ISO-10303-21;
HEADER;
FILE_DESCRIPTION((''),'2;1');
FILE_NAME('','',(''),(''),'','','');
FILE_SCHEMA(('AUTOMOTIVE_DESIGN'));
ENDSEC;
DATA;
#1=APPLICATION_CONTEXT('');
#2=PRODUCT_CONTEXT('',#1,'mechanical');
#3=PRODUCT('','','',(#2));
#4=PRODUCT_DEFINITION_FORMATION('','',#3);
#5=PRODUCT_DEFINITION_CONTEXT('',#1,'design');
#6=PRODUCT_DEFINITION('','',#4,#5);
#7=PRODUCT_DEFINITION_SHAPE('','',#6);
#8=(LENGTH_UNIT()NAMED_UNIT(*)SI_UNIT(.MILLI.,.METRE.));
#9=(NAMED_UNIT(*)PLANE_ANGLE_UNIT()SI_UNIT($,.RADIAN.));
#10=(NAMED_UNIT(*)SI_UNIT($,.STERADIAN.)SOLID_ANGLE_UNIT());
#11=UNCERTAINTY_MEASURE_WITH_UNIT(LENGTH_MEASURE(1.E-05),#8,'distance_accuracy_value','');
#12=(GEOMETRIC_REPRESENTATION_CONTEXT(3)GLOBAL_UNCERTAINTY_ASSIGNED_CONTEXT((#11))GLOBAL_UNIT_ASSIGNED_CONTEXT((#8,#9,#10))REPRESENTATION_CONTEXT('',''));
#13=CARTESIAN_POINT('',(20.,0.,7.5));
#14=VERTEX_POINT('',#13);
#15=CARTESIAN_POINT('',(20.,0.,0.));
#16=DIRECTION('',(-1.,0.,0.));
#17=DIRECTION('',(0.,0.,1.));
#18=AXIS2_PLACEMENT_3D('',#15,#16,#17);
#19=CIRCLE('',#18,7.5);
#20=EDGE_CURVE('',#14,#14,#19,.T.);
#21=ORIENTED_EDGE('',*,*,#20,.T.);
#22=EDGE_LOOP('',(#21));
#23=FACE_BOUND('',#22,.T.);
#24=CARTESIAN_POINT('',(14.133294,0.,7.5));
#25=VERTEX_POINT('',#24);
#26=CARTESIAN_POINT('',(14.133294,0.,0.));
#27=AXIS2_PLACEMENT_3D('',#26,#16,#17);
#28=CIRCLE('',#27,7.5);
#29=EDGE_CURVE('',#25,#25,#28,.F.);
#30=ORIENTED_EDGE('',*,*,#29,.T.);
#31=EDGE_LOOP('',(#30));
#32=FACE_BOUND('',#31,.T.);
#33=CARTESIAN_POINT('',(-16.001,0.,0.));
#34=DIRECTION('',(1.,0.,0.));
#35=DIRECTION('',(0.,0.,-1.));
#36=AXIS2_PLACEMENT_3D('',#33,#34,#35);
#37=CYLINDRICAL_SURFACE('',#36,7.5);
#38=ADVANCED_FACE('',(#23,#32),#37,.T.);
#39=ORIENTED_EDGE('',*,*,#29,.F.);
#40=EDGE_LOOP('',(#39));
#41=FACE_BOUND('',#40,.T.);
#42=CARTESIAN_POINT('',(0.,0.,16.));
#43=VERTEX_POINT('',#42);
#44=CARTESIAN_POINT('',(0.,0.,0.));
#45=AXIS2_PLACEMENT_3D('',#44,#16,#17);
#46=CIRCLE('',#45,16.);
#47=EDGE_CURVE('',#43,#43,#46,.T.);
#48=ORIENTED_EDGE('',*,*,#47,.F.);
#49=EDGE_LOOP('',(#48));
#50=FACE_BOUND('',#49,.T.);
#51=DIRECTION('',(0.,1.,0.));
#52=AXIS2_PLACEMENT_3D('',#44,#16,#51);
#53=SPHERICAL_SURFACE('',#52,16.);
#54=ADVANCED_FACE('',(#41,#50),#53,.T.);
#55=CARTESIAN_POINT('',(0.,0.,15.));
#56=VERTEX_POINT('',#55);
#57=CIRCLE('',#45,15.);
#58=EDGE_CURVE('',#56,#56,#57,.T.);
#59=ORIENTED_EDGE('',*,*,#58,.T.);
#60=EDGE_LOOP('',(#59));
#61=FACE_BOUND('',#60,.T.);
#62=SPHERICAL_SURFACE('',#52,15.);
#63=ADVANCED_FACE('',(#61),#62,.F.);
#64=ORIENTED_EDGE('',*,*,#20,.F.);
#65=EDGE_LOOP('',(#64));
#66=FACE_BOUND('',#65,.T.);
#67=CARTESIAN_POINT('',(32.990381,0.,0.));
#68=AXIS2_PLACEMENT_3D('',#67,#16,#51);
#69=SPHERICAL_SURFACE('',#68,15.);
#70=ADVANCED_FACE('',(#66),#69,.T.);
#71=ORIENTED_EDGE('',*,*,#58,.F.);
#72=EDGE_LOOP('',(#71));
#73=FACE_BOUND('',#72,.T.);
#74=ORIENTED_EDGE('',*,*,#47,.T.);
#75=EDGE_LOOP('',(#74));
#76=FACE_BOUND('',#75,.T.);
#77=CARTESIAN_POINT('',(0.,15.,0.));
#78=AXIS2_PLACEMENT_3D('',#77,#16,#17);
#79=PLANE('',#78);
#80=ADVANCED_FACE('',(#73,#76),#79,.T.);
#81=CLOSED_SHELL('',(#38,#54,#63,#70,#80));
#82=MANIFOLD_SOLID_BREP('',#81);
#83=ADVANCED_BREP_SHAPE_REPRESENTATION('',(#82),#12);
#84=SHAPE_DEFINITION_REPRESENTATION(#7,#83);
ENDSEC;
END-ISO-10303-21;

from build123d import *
from build123d.topology import SkipClean

# Parameters (mm, degrees)
SALIENTE_EXTRUIR1_REACH      = 49.713
SALIENTE_EXTRUIR1_END_RADIUS = 16
SALIENTE_EXTRUIR1_START      = -20
CROQUIS2_R                   = 7.5


with BuildPart() as part:
    # Croquis1 → Revolución-Lámina1 (revolve)
    with BuildSketch(Plane.XY):
        with BuildLine():
            ThreePointArc((15, 0), (10.606601718, 10.606601718), (0, 15))
            Line((0, 15), (0, 16))
            ThreePointArc((0, 16), (11.313708499, 11.313708499), (16, 0))
            Line((16, 0), (15, 0))
        make_face()
    revolve(axis=Axis((0, 0, 0), (1, 0, 0)))

    # Saliente-Extruir1: up to this sphere (the profile starts outside it)
    with SkipClean():  # the faces are left unmerged after this step: merging them gives an invalid solid
        saliente_extruir1_end = Location((0, 0, 0)) * Sphere(SALIENTE_EXTRUIR1_END_RADIUS, mode=Mode.PRIVATE)
        # Croquis2 → Saliente-Extruir1 (add, up to the surface)
        with BuildSketch(Plane.ZY.offset(SALIENTE_EXTRUIR1_START), mode=Mode.PRIVATE) as saliente_extruir1_sk1:
            Circle(CROQUIS2_R)
        saliente_extruir1_tool1 = extrude(saliente_extruir1_sk1.sketch, amount=SALIENTE_EXTRUIR1_REACH, mode=Mode.PRIVATE) - saliente_extruir1_end
        add(saliente_extruir1_tool1.solids().sort_by_distance((20, 0, 0))[0])

    # Croquis5 → Revolución1 (revolve)
    with BuildSketch(Plane.XY, mode=Mode.PRIVATE) as revoluci_n1_sk:
        with BuildLine():
            Line((20, 7.5), (20, 0))
            Line((20, 0), (47.990381057, 0))
            ThreePointArc((47.990381057, 0), (43.596982775, 10.606601718), (32.990381057, 15))
            ThreePointArc((32.990381057, 15), (25.490381057, 12.990381057), (20, 7.5))
        make_face()
    revolve(revoluci_n1_sk.sketch.rotate(Axis((20, 0, 0), (1, 0, 0)), 90), axis=Axis((20, 0, 0), (1, 0, 0)))


solid = part.part
